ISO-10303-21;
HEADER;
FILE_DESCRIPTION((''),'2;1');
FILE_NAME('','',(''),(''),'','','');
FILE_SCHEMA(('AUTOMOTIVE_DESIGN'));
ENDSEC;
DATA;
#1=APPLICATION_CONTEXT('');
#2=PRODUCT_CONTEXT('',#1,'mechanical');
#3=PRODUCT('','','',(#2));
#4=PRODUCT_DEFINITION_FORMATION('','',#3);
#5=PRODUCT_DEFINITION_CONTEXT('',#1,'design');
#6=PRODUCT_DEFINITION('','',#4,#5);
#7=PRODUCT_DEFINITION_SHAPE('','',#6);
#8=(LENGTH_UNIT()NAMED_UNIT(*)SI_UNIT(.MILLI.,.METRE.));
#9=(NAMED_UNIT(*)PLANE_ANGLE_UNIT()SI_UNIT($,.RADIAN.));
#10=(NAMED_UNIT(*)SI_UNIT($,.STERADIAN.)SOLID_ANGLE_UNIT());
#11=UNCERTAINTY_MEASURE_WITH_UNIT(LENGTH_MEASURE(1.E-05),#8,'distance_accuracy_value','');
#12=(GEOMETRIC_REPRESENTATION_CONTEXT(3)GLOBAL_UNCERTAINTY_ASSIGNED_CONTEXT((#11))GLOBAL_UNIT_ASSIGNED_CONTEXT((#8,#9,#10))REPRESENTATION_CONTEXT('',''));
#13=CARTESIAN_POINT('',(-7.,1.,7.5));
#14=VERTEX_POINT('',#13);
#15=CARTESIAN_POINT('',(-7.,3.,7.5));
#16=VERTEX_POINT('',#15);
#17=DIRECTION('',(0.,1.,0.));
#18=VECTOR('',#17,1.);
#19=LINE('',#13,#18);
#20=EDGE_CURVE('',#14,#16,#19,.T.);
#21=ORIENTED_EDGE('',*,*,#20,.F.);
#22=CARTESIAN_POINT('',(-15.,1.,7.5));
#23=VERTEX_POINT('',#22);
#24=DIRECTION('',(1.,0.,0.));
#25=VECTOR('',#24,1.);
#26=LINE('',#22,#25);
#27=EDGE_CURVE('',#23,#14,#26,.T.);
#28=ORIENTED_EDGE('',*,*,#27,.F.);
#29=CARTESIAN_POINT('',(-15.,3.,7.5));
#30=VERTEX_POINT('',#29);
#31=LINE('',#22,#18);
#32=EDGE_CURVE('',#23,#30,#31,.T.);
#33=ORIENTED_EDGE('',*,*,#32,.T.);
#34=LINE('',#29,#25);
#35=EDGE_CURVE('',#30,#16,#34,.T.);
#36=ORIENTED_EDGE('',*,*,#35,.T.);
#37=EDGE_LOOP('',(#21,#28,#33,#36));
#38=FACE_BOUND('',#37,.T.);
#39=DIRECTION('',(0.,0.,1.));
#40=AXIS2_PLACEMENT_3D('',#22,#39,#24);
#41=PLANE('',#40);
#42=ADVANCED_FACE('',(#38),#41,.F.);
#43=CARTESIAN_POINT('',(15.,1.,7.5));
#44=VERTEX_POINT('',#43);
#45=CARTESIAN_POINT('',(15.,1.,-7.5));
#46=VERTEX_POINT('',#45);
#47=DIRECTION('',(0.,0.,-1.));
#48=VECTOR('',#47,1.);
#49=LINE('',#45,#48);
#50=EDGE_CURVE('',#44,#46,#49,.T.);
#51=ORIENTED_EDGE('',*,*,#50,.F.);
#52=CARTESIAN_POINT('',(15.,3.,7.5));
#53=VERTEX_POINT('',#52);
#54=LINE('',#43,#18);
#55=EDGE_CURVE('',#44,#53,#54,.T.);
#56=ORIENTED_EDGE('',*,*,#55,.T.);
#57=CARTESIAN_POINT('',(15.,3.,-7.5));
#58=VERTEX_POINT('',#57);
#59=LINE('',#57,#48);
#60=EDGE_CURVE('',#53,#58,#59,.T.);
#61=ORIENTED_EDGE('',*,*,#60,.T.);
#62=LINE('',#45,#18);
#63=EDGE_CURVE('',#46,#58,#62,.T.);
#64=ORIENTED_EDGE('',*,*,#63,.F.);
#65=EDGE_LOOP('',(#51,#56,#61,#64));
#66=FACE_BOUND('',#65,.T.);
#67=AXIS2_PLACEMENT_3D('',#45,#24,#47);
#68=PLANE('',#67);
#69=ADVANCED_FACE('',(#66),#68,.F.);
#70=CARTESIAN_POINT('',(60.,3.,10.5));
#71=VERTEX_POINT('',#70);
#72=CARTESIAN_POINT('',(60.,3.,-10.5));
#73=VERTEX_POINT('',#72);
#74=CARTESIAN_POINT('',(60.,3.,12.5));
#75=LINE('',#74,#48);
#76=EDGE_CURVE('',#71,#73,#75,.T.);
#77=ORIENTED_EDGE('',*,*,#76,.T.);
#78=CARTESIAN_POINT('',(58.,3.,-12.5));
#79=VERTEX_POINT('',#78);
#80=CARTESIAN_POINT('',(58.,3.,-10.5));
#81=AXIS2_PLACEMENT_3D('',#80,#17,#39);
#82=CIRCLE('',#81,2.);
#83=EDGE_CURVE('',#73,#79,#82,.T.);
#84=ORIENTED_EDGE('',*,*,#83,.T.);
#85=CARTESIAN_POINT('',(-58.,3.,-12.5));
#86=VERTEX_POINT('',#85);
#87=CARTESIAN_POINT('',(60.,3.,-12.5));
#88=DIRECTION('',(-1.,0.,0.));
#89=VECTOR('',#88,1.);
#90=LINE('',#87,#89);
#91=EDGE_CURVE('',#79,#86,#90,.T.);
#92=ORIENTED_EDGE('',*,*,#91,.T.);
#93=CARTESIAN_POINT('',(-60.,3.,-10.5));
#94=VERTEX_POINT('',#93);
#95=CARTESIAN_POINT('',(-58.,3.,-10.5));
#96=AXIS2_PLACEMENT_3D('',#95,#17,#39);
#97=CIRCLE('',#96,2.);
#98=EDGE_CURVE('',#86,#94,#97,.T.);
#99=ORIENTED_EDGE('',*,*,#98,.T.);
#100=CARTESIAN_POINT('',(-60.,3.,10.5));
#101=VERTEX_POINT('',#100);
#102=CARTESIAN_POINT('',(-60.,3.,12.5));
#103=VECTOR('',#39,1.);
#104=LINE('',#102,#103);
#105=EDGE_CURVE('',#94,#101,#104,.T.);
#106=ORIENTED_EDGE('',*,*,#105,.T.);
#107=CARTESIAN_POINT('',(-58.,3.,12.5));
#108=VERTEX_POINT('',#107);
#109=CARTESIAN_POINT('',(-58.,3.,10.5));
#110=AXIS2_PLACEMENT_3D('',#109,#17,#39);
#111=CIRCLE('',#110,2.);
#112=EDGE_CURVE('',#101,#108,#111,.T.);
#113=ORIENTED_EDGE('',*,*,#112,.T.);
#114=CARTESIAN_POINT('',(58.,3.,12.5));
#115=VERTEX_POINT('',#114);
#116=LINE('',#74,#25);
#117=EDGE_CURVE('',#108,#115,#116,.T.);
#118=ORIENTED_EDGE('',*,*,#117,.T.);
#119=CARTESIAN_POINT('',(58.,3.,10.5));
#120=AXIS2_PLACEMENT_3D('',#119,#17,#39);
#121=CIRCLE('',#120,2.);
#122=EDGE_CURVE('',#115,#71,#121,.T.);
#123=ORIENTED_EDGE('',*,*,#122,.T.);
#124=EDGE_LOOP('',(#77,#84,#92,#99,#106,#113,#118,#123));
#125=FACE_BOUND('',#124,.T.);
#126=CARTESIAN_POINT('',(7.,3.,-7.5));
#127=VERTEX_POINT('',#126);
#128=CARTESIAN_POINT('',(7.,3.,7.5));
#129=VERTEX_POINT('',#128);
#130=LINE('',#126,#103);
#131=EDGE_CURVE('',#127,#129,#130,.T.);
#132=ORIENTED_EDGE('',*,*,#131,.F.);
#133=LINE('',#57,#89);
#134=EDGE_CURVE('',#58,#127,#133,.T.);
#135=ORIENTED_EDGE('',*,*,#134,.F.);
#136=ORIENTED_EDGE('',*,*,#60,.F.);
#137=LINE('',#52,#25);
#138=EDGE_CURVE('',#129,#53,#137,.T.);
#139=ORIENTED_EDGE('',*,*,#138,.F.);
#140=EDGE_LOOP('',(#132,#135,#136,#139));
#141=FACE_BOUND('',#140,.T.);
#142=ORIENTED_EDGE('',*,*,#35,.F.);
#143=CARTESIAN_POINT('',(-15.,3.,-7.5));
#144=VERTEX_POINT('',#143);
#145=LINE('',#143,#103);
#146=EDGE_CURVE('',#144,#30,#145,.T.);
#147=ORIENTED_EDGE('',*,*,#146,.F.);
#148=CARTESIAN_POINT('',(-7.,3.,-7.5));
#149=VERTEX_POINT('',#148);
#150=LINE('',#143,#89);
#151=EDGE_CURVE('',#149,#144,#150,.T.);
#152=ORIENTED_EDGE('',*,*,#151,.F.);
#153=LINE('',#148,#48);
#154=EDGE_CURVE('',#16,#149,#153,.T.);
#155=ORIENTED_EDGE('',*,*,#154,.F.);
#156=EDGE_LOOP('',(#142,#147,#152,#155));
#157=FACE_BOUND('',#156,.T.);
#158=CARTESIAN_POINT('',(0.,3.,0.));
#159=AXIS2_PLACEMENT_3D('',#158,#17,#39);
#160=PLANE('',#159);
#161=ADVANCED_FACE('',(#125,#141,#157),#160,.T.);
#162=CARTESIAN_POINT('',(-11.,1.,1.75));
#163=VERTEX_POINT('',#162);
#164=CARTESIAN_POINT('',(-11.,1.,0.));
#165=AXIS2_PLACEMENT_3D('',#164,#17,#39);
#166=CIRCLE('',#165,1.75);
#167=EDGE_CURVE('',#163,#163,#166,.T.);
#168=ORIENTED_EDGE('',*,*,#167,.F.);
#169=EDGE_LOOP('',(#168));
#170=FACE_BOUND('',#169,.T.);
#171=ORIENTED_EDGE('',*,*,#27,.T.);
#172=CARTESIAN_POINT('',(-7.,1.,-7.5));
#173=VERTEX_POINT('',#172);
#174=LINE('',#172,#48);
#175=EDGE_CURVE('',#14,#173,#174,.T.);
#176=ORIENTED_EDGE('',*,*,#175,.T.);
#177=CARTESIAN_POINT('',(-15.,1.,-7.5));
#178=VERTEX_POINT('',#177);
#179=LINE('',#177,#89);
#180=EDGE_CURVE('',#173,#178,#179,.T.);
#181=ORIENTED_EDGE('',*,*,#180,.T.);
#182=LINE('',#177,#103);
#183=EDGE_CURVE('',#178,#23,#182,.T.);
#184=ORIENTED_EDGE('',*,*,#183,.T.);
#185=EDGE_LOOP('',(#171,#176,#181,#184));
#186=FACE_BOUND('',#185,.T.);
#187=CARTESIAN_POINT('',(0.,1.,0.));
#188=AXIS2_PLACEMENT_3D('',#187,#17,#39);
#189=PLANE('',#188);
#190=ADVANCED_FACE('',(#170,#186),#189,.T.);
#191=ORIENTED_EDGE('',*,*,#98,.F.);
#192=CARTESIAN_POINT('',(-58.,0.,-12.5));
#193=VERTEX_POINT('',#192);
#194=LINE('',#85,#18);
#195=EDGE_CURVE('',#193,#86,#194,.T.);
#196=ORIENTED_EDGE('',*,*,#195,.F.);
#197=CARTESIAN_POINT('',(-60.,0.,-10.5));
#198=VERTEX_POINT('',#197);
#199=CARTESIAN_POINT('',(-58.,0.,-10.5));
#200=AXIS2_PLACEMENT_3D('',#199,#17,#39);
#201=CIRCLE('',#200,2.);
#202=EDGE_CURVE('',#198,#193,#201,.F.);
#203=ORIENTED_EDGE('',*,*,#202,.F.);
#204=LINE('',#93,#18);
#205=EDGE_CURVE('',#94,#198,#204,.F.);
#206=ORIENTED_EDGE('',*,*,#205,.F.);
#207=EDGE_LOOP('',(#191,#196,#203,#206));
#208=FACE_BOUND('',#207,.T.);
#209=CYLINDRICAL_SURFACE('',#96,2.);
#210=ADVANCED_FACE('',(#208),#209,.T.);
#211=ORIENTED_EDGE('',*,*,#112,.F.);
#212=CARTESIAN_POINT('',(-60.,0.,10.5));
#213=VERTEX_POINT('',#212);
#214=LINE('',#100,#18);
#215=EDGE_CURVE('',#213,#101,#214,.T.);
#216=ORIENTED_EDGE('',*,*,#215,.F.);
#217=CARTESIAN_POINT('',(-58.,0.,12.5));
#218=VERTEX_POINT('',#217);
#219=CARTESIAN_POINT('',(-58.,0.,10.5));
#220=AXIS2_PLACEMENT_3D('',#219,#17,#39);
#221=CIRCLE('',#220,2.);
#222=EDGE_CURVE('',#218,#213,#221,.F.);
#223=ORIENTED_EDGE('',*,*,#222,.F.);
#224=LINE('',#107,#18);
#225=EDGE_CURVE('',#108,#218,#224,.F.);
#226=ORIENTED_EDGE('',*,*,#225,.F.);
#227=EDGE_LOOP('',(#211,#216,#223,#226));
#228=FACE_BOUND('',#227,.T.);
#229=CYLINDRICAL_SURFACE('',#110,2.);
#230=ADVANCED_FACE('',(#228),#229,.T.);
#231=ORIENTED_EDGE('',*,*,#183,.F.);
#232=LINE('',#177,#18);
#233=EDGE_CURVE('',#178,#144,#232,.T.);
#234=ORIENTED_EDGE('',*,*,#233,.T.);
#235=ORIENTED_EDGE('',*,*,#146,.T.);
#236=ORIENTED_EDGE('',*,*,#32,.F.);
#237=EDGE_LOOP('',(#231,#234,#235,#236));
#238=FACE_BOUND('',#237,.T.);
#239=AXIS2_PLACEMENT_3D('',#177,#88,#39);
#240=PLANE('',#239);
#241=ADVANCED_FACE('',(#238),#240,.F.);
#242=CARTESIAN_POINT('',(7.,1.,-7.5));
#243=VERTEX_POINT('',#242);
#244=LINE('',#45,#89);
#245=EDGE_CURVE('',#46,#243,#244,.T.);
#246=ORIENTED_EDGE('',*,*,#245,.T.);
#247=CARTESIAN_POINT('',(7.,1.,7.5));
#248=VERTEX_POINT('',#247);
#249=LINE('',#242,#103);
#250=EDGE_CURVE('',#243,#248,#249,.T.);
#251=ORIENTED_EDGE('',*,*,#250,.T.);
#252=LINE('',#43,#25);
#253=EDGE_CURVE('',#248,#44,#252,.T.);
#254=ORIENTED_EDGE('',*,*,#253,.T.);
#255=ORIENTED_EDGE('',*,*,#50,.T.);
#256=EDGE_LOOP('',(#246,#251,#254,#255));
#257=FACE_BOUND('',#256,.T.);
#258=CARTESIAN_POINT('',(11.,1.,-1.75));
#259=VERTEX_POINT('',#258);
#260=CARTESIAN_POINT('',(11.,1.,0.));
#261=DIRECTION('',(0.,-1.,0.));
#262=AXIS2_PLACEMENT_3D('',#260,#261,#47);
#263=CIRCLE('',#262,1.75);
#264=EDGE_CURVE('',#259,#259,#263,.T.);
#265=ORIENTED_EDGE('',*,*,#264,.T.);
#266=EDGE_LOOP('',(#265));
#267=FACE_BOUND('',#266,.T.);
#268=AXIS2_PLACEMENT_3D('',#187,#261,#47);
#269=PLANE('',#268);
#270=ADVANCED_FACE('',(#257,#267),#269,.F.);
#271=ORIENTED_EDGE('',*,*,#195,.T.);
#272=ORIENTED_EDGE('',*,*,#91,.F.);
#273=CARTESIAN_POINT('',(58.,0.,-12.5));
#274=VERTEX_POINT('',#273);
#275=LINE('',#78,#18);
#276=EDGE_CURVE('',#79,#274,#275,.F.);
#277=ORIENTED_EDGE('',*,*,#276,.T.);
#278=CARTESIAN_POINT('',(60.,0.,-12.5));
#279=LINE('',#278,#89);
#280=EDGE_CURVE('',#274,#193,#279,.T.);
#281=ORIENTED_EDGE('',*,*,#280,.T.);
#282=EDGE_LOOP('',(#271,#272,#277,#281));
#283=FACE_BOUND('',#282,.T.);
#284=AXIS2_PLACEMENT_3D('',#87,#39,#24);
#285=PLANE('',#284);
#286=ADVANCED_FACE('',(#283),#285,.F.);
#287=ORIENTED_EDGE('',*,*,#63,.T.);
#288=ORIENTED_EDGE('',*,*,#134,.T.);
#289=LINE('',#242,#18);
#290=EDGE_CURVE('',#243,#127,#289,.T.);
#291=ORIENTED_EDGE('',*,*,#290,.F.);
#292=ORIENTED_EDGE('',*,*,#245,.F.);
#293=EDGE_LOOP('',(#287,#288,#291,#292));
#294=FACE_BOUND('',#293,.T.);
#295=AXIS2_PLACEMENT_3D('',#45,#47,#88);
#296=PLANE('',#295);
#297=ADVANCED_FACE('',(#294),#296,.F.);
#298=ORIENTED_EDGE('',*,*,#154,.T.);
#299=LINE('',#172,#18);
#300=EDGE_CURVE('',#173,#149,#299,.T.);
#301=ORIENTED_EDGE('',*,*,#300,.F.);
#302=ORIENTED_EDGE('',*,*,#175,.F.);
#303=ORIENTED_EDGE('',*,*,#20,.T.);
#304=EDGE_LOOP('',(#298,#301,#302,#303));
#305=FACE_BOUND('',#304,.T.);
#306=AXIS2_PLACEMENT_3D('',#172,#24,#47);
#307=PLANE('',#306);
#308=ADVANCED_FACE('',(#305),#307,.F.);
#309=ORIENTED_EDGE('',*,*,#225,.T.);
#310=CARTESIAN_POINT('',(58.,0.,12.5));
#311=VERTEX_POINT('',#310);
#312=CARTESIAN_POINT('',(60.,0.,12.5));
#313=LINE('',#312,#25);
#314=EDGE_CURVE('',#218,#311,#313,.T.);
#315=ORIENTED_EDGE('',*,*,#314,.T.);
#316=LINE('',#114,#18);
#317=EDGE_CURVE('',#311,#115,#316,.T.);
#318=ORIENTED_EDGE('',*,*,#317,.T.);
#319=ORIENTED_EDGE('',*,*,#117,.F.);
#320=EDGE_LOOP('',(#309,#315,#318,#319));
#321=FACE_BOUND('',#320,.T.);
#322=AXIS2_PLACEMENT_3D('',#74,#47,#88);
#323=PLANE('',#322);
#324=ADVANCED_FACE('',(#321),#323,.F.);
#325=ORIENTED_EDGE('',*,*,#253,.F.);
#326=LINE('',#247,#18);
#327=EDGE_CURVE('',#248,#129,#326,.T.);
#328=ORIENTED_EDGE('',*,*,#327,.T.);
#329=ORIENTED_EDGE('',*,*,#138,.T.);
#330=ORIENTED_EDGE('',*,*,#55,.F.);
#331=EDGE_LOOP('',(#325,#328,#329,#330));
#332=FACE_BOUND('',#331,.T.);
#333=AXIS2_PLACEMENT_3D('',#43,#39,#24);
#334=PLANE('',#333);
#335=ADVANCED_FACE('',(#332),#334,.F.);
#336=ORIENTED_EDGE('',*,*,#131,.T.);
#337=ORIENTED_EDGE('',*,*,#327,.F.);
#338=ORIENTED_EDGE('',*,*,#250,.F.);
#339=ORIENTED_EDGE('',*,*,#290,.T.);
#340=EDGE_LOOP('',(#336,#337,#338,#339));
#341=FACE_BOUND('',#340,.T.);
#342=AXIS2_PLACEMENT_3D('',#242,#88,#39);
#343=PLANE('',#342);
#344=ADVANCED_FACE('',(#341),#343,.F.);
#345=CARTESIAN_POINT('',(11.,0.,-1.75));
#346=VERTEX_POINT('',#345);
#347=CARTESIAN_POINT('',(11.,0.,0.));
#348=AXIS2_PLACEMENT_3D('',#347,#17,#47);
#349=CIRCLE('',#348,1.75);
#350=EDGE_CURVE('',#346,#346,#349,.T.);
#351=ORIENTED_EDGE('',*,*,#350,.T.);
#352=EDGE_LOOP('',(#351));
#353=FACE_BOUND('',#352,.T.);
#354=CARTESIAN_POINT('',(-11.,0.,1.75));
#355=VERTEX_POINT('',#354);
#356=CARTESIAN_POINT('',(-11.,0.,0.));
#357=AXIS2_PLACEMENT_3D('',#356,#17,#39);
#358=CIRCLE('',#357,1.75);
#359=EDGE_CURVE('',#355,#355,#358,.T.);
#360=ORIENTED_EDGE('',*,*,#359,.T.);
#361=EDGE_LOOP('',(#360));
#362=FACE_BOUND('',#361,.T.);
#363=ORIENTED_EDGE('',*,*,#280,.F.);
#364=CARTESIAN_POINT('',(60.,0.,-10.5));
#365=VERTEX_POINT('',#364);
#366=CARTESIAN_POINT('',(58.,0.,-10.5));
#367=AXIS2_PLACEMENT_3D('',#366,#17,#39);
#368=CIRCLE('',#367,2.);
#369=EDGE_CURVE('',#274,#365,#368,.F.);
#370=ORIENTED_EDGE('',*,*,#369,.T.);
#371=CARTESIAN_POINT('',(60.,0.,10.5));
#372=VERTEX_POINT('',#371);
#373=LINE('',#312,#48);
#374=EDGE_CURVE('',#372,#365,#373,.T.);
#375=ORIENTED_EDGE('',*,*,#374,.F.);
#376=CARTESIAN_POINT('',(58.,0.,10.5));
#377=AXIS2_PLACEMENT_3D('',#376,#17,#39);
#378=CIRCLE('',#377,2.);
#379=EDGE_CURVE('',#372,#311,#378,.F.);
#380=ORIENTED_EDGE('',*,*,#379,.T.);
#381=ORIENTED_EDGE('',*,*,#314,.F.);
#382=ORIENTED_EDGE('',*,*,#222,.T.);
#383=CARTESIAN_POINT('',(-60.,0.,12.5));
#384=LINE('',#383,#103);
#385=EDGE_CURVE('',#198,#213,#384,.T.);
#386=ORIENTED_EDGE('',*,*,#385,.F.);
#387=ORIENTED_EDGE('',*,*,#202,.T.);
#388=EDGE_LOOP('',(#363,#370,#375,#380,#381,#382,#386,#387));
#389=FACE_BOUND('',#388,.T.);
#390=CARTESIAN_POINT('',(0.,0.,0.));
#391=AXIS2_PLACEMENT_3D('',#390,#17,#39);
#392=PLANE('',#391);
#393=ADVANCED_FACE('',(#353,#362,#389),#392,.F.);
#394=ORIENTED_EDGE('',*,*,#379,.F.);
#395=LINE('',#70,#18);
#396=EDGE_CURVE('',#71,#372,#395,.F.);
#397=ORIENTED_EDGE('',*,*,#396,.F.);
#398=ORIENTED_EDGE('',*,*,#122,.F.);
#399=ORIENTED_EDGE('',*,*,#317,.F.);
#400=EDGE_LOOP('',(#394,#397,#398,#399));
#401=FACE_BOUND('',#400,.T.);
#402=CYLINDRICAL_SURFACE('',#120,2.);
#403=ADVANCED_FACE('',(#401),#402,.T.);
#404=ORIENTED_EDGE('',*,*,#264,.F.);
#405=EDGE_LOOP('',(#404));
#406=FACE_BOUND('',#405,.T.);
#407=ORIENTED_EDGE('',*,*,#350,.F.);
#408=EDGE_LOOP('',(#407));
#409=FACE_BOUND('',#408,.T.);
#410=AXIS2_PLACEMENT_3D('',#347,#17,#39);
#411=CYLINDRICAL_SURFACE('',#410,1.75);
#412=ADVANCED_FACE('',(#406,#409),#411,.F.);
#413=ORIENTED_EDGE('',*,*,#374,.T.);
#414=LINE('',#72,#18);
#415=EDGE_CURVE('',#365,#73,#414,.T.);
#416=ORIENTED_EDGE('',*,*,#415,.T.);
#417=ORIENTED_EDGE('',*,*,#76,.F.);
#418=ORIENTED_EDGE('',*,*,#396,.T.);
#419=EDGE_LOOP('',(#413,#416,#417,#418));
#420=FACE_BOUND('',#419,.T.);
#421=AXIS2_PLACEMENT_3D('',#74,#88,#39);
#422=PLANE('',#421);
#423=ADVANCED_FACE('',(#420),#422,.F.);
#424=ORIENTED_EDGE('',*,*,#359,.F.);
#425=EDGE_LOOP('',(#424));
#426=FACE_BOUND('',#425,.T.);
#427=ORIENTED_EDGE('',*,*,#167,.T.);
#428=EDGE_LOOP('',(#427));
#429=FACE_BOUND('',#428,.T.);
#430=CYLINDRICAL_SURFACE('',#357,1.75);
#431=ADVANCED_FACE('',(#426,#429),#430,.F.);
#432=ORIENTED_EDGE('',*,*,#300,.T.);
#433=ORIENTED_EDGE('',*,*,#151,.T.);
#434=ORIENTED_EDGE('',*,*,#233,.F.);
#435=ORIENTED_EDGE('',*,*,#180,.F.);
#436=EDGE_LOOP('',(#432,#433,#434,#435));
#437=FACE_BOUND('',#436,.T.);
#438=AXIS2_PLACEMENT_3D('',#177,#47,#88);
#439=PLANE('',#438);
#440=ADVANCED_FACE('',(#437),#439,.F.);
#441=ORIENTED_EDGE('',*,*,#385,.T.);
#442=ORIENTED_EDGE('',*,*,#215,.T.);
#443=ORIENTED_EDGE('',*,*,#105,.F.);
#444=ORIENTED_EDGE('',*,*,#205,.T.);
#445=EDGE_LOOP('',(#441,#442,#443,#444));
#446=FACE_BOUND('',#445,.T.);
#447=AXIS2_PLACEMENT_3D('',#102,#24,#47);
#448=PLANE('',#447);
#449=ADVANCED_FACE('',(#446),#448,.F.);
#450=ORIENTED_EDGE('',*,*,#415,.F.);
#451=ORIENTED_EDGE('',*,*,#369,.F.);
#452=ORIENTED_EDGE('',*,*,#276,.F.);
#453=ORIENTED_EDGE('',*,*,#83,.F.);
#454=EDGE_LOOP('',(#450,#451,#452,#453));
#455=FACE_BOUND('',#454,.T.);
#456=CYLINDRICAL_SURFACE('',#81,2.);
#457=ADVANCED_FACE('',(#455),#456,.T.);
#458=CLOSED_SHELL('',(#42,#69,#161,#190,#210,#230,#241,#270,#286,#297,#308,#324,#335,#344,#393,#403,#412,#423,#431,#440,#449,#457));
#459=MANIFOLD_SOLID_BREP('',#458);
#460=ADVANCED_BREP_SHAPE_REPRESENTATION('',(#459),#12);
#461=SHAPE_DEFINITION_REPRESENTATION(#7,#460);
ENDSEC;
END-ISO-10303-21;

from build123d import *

# Parameters (mm, degrees)
TOP_COVER_W         = 120
TOP_COVER_H         = 25
BOSS_EXTRUDE1_DEPTH = 3
ATTACHMENT_POINT_W  = 8
ATTACHMENT_POINT_H  = 15
CUT_EXTRUDE1_DEPTH  = 2
SKETCH4_R           = 1.75
M3_SCREW_CUT_DEPTH  = 62.361632964
FILLET1_R           = 2
FILLET2_R           = 2
FILLET3_R           = 2
FILLET4_R           = 2


with BuildPart() as part:
    # Top Cover → Boss-Extrude1 (new body)
    with BuildSketch(Plane(origin=(0, 0, 0), x_dir=(1, 0, 0), z_dir=(0, 1, 0))):
        Rectangle(TOP_COVER_W, TOP_COVER_H)
    extrude(amount=BOSS_EXTRUDE1_DEPTH)

    # Attachment Point → Cut-Extrude1 (cut)
    with BuildSketch(Plane(origin=(0, 3, 0), x_dir=(1, 0, 0), z_dir=(0, 1, 0))):
        with Locations((-11, 0)):
            Rectangle(ATTACHMENT_POINT_W, ATTACHMENT_POINT_H)
        with Locations((11, 0)):
            Rectangle(ATTACHMENT_POINT_W, ATTACHMENT_POINT_H)
    extrude(amount=-CUT_EXTRUDE1_DEPTH, mode=Mode.SUBTRACT)

    # Sketch4 → M3 Screw CUT (cut, through all)
    with BuildSketch(Plane(origin=(0, 3, 0), x_dir=(1, 0, 0), z_dir=(0, 1, 0))):
        with Locations(Location((-11, 0, 0), (0, 0, 270))):
            Circle(SKETCH4_R)
        with Locations(Location((11, 0, 0), (0, 0, 90))):
            Circle(SKETCH4_R)
    extrude(amount=-M3_SCREW_CUT_DEPTH, mode=Mode.SUBTRACT)

    # Fillet1
    fillet1_edges = [part.edges().sort_by_distance(p)[0] for p in [
        (-60, 1.5, 12.5),
    ]]
    fillet(fillet1_edges, radius=FILLET1_R)

    # Fillet2
    fillet2_edges = [part.edges().sort_by_distance(p)[0] for p in [
        (60, 1.5, 12.5),
    ]]
    fillet(fillet2_edges, radius=FILLET2_R)

    # Fillet3
    fillet3_edges = [part.edges().sort_by_distance(p)[0] for p in [
        (60, 1.5, -12.5),
    ]]
    fillet(fillet3_edges, radius=FILLET3_R)

    # Fillet4
    fillet4_edges = [part.edges().sort_by_distance(p)[0] for p in [
        (-60, 1.5, -12.5),
    ]]
    fillet(fillet4_edges, radius=FILLET4_R)


solid = part.part
